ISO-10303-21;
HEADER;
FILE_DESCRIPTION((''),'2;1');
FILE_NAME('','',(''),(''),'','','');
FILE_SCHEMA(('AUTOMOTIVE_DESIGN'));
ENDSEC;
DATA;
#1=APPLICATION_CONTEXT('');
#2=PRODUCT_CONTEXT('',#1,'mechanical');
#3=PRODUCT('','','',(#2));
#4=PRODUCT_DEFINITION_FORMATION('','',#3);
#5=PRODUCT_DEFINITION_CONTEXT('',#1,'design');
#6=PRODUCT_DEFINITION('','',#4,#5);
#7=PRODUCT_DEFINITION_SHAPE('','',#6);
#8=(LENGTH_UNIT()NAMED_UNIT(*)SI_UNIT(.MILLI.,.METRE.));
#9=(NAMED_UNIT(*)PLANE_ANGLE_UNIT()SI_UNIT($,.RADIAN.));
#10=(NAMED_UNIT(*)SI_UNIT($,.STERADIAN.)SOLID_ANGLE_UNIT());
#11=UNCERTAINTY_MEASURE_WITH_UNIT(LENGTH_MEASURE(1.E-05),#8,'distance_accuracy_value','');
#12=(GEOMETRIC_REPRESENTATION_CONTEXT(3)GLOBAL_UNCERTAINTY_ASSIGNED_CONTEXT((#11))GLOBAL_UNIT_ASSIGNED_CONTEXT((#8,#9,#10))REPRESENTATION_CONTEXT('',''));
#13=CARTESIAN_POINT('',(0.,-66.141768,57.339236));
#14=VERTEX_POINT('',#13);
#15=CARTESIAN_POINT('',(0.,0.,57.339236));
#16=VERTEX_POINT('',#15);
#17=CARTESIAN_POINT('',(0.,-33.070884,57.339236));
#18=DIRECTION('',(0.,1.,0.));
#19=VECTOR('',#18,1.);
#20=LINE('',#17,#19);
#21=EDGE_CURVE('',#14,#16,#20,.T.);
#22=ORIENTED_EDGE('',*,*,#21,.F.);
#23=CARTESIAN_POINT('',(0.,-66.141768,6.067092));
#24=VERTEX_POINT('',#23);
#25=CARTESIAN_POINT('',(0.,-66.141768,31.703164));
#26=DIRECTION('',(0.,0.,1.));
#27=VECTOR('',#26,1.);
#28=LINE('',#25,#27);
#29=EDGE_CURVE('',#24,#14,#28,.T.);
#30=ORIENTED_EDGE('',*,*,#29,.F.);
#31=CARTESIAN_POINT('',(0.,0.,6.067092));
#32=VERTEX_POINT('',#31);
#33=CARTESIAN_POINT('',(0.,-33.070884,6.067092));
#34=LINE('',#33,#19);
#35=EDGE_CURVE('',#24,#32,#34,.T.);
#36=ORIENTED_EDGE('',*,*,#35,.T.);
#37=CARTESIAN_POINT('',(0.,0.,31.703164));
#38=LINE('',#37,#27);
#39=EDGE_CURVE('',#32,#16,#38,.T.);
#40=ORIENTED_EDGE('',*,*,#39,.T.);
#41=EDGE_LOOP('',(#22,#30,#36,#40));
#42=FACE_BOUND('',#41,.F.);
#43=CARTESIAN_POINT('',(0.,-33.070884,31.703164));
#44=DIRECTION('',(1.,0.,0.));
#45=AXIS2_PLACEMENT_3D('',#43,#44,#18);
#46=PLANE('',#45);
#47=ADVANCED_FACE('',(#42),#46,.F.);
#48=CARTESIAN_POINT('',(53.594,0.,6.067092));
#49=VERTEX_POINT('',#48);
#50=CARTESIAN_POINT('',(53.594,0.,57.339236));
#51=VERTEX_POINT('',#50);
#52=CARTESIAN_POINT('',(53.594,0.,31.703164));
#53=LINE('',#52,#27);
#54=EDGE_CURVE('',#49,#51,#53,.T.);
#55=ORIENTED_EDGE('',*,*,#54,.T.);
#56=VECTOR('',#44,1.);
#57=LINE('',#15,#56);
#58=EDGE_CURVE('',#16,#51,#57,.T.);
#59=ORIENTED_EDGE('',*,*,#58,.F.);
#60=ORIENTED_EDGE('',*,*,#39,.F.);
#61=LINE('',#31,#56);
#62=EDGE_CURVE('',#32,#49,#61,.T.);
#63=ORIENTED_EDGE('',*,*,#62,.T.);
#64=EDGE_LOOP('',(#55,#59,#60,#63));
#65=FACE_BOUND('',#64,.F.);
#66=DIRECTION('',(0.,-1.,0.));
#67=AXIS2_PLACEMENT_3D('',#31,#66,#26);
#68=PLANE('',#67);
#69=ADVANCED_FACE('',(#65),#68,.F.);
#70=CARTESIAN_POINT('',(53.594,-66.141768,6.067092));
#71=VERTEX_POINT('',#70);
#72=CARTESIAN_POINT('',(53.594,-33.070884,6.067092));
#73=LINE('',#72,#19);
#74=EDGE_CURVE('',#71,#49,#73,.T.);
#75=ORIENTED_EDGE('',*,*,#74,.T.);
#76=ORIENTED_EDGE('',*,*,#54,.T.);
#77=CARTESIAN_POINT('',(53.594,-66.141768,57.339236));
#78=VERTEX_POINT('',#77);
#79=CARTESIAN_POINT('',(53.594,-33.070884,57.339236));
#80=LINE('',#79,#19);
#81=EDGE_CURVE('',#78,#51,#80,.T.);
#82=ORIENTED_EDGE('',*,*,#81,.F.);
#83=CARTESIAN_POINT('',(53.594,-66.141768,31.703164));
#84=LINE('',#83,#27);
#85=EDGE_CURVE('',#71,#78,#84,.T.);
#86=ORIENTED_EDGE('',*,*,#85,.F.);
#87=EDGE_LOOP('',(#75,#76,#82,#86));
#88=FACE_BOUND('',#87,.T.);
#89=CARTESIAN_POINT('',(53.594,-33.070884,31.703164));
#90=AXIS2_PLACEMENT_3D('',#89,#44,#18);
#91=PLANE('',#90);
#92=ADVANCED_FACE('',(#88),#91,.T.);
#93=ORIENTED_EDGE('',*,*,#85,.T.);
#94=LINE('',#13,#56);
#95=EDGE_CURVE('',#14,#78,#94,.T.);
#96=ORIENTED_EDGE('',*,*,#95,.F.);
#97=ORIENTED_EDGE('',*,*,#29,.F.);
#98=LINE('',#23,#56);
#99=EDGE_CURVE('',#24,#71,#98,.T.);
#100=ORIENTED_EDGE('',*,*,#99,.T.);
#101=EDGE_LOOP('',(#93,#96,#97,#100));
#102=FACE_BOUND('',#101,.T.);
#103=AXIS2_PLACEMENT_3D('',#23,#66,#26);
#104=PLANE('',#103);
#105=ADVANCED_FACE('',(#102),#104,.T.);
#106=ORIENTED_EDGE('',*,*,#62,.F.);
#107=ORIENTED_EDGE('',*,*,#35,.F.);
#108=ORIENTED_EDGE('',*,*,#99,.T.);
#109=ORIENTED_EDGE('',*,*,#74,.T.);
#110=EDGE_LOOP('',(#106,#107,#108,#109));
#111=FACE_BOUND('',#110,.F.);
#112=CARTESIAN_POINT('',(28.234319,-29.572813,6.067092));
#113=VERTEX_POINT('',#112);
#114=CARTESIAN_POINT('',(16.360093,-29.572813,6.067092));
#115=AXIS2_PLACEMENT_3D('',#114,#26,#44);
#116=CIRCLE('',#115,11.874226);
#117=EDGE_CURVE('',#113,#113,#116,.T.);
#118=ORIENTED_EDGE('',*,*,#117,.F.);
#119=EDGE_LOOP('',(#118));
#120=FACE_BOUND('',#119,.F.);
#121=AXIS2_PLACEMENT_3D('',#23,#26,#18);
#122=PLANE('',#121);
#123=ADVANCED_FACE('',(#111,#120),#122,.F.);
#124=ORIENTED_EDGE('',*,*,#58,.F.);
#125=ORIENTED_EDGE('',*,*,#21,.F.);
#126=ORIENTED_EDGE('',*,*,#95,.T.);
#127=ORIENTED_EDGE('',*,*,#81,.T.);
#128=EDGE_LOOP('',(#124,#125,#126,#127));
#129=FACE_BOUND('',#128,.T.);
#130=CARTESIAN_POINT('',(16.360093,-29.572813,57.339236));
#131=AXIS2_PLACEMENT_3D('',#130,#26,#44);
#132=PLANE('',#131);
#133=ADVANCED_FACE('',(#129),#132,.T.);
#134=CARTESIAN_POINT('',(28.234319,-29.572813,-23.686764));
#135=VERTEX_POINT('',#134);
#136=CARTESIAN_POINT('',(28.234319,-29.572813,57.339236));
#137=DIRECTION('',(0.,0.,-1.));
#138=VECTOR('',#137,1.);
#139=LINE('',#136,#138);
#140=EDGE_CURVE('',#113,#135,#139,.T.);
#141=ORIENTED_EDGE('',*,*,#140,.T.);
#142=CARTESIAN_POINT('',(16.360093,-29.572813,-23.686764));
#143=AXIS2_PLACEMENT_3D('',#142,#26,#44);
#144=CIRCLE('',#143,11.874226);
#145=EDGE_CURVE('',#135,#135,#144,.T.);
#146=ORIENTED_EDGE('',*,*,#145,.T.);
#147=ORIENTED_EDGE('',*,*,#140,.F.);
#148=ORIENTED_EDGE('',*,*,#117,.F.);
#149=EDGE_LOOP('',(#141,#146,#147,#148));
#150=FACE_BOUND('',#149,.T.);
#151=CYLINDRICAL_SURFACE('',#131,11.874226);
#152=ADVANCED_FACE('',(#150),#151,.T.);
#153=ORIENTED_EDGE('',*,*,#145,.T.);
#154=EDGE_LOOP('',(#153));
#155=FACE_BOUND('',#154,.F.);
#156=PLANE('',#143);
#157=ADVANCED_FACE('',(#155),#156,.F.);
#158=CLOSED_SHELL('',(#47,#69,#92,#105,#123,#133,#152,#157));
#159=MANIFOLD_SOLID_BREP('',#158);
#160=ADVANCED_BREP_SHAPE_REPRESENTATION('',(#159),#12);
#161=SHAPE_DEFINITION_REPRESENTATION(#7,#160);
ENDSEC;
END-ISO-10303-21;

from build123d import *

# Parameters (mm, degrees)
F0_W     = 66.141769
F0_H     = 51.272144
F1_DEPTH = 53.594
F2_R     = 11.874226
F3_DEPTH = 81.026


with BuildPart() as f1:
    # F0 (on Right) → F1 (new body)
    with BuildSketch(Plane.YZ):
        with Locations((-33.070884, 31.703164)):
            Rectangle(F0_W, F0_H)
    extrude(amount=F1_DEPTH)

    # F2 (on face) → F3 (join)
    with BuildSketch(Plane.XY.offset(57.339236)):
        with Locations((16.360093, -29.572813)):
            Circle(F2_R)
    extrude(amount=-F3_DEPTH)


solid = f1.part
